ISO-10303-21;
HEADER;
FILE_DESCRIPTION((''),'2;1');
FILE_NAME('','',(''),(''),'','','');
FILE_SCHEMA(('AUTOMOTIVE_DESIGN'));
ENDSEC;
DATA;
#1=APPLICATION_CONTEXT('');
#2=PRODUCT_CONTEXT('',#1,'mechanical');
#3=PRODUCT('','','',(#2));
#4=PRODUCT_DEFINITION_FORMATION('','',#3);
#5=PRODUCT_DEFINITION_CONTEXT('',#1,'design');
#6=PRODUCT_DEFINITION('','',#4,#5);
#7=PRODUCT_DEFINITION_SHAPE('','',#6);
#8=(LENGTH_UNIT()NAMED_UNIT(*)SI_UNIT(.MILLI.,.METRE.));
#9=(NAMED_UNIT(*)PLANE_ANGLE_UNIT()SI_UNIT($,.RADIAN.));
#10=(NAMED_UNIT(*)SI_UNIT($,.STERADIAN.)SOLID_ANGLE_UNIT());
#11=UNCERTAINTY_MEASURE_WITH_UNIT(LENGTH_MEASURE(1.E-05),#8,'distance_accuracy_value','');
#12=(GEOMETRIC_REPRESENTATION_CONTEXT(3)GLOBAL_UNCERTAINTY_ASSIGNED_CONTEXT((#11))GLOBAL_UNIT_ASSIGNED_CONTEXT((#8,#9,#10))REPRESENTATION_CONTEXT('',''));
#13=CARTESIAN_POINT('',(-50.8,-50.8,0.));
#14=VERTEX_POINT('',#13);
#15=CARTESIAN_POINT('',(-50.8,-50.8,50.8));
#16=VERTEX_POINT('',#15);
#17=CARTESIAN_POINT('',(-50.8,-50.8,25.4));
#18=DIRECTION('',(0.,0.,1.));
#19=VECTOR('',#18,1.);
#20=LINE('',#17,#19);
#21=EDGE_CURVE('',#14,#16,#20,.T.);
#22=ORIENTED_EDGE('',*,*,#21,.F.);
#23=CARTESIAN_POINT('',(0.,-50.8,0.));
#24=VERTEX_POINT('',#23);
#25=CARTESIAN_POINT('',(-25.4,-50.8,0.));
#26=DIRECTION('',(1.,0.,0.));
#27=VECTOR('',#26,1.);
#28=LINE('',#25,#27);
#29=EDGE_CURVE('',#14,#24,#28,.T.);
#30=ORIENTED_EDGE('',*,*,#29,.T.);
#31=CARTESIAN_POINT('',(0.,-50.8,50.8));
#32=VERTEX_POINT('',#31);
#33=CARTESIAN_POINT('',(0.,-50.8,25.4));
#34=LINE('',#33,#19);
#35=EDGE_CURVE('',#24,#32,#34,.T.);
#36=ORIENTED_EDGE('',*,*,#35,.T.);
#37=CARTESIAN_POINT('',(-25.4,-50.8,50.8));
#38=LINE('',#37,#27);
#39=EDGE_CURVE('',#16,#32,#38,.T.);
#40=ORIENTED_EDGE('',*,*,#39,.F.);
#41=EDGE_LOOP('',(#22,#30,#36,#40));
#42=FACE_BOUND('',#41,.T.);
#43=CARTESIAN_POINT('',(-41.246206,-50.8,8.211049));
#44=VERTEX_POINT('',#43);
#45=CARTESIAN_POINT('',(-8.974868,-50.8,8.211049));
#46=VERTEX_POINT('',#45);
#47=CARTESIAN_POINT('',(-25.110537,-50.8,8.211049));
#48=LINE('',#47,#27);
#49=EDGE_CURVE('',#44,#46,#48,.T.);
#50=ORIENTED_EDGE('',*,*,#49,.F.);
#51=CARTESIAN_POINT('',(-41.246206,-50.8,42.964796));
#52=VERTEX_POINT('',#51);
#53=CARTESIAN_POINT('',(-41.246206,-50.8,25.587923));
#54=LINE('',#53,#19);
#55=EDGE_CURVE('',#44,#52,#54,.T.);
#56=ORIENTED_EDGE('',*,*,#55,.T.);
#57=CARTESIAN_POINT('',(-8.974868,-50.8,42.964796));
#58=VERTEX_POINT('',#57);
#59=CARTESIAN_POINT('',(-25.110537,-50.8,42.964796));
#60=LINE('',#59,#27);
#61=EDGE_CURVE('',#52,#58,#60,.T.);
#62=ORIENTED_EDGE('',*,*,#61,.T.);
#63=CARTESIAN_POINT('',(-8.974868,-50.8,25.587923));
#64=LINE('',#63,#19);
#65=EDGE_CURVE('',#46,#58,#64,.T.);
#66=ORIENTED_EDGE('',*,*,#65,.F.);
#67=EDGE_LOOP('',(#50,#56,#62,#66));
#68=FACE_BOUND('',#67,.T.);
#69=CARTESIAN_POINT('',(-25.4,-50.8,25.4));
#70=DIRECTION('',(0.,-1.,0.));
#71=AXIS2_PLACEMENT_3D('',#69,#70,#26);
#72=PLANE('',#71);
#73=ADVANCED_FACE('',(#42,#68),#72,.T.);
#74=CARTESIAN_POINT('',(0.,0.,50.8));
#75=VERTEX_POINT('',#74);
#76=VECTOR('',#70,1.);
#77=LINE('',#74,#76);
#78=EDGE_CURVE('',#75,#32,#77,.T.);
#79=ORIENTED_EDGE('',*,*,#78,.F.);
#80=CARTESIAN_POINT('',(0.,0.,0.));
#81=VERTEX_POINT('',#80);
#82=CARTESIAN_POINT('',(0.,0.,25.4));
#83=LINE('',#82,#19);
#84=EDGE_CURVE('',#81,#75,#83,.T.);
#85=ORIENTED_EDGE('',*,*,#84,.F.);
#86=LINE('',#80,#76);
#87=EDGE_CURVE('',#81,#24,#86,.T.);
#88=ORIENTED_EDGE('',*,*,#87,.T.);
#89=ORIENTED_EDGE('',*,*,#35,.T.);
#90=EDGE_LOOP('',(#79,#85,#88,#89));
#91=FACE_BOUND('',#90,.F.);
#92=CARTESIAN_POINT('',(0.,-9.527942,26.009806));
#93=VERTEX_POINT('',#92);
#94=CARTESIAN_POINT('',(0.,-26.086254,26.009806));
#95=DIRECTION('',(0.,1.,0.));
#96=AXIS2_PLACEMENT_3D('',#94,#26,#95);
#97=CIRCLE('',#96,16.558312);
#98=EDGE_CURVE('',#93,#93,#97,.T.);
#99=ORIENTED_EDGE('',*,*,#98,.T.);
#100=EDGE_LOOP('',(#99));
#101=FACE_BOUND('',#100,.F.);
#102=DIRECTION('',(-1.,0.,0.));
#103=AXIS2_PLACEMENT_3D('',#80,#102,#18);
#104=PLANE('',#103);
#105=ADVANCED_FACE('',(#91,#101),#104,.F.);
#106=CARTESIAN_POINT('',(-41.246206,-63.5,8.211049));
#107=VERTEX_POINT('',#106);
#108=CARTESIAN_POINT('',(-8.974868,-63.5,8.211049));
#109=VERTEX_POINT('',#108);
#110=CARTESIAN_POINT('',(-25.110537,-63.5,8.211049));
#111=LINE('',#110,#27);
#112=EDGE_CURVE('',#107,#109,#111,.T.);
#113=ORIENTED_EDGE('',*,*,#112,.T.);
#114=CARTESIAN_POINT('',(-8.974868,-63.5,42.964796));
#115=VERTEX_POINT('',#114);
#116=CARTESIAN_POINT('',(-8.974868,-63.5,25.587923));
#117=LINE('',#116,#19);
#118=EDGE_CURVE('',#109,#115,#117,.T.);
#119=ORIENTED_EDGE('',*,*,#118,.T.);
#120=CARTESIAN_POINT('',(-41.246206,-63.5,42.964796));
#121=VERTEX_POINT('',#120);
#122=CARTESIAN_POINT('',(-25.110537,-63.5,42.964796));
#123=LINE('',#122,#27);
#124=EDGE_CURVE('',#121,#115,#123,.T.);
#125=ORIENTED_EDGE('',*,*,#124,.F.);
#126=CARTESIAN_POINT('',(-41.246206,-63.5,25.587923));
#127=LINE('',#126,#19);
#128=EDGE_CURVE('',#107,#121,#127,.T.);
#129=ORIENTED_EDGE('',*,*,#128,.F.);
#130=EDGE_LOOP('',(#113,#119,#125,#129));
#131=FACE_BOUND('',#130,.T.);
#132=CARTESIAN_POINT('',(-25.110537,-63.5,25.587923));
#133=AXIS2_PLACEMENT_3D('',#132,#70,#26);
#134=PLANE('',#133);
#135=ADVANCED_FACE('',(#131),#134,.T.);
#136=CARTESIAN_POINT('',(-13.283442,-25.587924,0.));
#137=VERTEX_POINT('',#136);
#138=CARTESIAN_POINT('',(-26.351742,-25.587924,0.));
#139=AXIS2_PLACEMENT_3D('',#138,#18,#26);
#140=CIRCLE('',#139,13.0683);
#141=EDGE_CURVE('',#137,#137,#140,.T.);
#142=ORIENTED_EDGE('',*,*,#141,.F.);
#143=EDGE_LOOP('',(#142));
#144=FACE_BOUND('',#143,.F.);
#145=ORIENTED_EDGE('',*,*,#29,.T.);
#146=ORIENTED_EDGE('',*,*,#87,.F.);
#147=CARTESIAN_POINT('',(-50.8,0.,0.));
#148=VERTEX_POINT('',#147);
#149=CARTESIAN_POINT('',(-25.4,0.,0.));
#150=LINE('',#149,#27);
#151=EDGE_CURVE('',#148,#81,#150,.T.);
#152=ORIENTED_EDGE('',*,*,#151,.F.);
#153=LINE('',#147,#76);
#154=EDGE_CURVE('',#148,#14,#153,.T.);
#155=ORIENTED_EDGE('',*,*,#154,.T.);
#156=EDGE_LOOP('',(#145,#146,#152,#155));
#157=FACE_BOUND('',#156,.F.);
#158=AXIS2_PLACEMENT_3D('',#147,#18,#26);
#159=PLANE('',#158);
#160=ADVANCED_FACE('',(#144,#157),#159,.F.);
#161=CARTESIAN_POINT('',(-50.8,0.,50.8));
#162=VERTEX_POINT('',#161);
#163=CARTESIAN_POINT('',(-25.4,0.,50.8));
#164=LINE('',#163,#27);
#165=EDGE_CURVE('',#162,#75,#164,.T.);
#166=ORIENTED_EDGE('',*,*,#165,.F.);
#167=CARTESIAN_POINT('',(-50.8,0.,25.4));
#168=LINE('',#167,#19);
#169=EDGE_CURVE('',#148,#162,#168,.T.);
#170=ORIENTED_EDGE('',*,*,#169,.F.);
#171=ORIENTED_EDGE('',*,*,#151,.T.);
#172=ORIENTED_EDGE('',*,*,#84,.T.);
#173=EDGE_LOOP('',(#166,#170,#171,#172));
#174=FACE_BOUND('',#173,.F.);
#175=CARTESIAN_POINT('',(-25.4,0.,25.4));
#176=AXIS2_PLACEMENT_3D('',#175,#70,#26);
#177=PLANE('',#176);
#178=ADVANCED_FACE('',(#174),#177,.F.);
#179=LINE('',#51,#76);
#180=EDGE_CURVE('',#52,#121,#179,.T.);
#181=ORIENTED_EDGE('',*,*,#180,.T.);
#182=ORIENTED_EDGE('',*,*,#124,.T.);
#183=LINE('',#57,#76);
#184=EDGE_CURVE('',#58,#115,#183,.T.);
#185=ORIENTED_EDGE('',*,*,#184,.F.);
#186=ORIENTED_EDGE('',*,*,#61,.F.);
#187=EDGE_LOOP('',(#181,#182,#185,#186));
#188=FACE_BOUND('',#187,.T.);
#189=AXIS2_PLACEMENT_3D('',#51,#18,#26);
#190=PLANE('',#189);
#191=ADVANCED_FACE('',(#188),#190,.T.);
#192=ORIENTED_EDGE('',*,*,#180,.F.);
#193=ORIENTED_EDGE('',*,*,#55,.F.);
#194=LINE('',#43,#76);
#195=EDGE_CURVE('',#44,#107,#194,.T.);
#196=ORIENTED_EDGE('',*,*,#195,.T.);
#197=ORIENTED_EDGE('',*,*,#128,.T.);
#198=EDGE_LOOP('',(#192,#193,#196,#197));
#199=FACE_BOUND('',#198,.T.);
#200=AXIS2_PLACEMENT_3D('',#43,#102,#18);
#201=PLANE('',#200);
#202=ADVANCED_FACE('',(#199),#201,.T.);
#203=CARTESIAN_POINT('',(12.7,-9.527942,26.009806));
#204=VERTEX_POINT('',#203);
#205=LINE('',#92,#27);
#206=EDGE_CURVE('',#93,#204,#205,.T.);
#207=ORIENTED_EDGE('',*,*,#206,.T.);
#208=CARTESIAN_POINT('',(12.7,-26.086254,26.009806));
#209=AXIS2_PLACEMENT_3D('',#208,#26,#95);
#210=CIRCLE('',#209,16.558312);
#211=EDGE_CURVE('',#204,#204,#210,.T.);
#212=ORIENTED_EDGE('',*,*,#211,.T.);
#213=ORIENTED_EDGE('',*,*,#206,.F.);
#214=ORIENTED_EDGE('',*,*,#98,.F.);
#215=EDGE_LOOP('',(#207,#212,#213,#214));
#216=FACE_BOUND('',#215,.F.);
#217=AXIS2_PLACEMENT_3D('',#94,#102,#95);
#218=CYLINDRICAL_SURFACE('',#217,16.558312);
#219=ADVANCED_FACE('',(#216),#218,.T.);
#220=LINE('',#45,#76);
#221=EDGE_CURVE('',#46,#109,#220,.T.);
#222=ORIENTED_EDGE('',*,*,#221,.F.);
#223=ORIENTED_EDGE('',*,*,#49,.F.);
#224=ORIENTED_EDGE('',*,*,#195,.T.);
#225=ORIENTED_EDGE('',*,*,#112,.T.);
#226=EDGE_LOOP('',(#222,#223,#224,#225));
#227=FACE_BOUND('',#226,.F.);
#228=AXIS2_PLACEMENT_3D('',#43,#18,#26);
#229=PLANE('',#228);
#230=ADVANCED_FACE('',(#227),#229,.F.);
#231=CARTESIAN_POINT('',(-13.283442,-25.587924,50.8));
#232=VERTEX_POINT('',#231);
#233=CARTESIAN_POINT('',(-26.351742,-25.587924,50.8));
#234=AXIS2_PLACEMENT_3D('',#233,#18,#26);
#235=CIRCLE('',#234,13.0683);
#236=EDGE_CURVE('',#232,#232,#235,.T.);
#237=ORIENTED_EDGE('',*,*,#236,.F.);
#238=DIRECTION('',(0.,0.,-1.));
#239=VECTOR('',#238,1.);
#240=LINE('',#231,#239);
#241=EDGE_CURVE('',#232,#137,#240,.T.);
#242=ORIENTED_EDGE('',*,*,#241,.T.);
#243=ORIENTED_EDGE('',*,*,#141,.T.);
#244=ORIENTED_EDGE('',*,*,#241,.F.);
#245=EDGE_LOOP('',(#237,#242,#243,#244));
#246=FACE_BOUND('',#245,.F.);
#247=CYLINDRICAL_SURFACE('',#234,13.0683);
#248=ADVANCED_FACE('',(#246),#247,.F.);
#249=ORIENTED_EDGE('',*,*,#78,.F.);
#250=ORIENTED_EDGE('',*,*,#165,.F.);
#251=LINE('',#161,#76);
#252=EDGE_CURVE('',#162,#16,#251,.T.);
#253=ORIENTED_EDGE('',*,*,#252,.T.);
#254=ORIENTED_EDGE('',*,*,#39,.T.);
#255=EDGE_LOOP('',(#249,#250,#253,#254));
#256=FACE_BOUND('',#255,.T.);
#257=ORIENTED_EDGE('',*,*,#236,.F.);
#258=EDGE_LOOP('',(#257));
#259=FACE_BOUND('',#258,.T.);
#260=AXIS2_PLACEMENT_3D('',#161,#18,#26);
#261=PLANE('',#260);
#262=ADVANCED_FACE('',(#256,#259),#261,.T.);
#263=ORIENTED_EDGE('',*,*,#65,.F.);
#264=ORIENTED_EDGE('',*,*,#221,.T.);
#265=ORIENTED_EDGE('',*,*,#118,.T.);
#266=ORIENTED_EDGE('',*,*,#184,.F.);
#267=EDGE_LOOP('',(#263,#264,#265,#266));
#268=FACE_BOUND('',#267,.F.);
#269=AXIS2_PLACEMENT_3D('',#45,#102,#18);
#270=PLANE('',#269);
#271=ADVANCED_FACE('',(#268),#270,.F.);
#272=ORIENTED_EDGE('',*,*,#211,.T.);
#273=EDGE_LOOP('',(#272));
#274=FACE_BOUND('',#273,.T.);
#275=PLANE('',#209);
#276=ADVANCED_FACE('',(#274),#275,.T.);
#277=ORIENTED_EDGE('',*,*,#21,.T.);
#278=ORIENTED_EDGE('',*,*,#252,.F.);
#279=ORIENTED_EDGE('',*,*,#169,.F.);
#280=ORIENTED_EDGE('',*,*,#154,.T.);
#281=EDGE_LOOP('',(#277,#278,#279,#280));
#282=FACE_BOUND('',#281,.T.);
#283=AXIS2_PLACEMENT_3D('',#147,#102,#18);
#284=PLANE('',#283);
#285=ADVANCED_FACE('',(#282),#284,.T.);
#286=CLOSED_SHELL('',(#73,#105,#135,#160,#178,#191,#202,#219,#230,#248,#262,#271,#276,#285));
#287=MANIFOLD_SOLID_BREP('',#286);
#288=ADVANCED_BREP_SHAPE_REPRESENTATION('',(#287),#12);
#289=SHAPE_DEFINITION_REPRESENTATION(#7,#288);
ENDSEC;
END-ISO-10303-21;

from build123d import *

# Parameters (mm, degrees)
F0_W     = 50.8
F0_H     = 50.8
F1_DEPTH = 50.8
F2_R     = 13.0683
F3_DEPTH = 50.8
F4_R     = 16.558312
F5_DEPTH = 12.7
F6_W     = 32.271338
F6_H     = 34.753747
F7_DEPTH = 12.7


with BuildPart() as f1:
    # F0 (on Front) → F1 (new body)
    with BuildSketch(Plane.XZ):
        with Locations((-25.4, 25.4)):
            Rectangle(F0_W, F0_H)
    extrude(amount=F1_DEPTH)

    # F2 (on face) → F3 (cut)
    with BuildSketch(Plane.XY.offset(50.8)):
        with Locations((-26.351742, -25.587924)):
            Circle(F2_R)
    extrude(amount=-F3_DEPTH, mode=Mode.SUBTRACT)

    # F4 (on face) → F5 (join)
    with BuildSketch(Plane.YZ):
        with Locations((-26.086254, 26.009806)):
            Circle(F4_R)
    extrude(amount=F5_DEPTH)

    # F6 (on face) → F7 (join)
    with BuildSketch(Plane.XZ.offset(50.8)):
        with Locations((-25.110537, 25.587923)):
            Rectangle(F6_W, F6_H)
    extrude(amount=F7_DEPTH)


solid = f1.part
